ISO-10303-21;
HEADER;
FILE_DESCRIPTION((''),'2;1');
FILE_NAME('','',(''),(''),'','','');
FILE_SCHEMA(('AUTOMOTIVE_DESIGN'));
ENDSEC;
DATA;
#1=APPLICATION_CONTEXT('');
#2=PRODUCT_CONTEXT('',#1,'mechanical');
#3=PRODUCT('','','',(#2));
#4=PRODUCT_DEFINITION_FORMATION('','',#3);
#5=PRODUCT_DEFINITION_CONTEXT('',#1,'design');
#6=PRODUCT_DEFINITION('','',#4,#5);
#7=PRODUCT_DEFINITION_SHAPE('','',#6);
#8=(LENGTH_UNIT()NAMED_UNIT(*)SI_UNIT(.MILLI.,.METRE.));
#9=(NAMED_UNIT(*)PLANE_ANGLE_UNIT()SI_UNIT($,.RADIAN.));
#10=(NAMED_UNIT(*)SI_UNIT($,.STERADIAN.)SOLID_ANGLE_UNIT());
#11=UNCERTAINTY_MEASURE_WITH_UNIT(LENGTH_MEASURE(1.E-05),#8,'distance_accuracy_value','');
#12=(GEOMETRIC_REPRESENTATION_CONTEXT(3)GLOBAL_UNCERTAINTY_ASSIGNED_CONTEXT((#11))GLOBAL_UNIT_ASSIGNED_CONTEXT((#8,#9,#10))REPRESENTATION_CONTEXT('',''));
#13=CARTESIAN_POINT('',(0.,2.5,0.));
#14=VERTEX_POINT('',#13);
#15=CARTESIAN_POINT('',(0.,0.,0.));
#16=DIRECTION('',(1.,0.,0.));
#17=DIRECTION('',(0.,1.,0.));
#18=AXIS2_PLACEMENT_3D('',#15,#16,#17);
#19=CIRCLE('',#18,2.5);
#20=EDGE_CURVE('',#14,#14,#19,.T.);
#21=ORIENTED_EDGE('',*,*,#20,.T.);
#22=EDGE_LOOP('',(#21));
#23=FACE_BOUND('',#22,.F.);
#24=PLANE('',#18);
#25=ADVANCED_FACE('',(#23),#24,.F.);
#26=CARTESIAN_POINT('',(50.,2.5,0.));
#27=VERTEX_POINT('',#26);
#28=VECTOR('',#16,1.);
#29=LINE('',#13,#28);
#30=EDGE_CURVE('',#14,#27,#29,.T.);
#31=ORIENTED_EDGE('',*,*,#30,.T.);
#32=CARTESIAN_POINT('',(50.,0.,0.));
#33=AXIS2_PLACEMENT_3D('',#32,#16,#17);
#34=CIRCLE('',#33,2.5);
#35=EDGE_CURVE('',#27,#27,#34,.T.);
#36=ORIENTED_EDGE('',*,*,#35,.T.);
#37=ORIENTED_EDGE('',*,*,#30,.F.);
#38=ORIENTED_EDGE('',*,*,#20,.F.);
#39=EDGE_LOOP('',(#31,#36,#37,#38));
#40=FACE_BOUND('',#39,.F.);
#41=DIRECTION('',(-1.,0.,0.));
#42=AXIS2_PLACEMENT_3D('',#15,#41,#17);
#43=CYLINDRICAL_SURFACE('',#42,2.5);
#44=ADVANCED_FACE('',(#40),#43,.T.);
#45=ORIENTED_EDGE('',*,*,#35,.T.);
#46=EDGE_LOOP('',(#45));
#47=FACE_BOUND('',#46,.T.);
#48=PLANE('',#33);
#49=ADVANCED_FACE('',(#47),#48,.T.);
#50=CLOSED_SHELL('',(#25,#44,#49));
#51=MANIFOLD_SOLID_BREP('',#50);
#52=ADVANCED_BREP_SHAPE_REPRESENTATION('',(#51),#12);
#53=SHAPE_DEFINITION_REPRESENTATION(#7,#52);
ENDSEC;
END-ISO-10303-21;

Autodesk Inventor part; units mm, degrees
ref_plane "YZ Plane" through (0, 0, 0) normal (1, 0, 0) x (0, 1, 0)
ref_plane "XZ Plane" through (0, 0, 0) normal (0, 1, 0) x (-1, 0, 0)
ref_plane "XY Plane" through (0, 0, 0) normal (0, 0, 1) x (1, 0, 0)
sketch "Sketch1" plane through (0, 0, 0) normal (1, 0, 0) x (0, 1, 0)
  circle A0 centre (0, 0) radius 2.5
  dimension "d0" = 5
extrude "Extrusion1" add sketch "Sketch1" along normal blind 50
ref_plane "Work Plane1" through (25, 0, 0) normal (-1, 0, 0) x (0, 0, 1)
properties part number "5mm_50mm" material "Stainless Steel"
